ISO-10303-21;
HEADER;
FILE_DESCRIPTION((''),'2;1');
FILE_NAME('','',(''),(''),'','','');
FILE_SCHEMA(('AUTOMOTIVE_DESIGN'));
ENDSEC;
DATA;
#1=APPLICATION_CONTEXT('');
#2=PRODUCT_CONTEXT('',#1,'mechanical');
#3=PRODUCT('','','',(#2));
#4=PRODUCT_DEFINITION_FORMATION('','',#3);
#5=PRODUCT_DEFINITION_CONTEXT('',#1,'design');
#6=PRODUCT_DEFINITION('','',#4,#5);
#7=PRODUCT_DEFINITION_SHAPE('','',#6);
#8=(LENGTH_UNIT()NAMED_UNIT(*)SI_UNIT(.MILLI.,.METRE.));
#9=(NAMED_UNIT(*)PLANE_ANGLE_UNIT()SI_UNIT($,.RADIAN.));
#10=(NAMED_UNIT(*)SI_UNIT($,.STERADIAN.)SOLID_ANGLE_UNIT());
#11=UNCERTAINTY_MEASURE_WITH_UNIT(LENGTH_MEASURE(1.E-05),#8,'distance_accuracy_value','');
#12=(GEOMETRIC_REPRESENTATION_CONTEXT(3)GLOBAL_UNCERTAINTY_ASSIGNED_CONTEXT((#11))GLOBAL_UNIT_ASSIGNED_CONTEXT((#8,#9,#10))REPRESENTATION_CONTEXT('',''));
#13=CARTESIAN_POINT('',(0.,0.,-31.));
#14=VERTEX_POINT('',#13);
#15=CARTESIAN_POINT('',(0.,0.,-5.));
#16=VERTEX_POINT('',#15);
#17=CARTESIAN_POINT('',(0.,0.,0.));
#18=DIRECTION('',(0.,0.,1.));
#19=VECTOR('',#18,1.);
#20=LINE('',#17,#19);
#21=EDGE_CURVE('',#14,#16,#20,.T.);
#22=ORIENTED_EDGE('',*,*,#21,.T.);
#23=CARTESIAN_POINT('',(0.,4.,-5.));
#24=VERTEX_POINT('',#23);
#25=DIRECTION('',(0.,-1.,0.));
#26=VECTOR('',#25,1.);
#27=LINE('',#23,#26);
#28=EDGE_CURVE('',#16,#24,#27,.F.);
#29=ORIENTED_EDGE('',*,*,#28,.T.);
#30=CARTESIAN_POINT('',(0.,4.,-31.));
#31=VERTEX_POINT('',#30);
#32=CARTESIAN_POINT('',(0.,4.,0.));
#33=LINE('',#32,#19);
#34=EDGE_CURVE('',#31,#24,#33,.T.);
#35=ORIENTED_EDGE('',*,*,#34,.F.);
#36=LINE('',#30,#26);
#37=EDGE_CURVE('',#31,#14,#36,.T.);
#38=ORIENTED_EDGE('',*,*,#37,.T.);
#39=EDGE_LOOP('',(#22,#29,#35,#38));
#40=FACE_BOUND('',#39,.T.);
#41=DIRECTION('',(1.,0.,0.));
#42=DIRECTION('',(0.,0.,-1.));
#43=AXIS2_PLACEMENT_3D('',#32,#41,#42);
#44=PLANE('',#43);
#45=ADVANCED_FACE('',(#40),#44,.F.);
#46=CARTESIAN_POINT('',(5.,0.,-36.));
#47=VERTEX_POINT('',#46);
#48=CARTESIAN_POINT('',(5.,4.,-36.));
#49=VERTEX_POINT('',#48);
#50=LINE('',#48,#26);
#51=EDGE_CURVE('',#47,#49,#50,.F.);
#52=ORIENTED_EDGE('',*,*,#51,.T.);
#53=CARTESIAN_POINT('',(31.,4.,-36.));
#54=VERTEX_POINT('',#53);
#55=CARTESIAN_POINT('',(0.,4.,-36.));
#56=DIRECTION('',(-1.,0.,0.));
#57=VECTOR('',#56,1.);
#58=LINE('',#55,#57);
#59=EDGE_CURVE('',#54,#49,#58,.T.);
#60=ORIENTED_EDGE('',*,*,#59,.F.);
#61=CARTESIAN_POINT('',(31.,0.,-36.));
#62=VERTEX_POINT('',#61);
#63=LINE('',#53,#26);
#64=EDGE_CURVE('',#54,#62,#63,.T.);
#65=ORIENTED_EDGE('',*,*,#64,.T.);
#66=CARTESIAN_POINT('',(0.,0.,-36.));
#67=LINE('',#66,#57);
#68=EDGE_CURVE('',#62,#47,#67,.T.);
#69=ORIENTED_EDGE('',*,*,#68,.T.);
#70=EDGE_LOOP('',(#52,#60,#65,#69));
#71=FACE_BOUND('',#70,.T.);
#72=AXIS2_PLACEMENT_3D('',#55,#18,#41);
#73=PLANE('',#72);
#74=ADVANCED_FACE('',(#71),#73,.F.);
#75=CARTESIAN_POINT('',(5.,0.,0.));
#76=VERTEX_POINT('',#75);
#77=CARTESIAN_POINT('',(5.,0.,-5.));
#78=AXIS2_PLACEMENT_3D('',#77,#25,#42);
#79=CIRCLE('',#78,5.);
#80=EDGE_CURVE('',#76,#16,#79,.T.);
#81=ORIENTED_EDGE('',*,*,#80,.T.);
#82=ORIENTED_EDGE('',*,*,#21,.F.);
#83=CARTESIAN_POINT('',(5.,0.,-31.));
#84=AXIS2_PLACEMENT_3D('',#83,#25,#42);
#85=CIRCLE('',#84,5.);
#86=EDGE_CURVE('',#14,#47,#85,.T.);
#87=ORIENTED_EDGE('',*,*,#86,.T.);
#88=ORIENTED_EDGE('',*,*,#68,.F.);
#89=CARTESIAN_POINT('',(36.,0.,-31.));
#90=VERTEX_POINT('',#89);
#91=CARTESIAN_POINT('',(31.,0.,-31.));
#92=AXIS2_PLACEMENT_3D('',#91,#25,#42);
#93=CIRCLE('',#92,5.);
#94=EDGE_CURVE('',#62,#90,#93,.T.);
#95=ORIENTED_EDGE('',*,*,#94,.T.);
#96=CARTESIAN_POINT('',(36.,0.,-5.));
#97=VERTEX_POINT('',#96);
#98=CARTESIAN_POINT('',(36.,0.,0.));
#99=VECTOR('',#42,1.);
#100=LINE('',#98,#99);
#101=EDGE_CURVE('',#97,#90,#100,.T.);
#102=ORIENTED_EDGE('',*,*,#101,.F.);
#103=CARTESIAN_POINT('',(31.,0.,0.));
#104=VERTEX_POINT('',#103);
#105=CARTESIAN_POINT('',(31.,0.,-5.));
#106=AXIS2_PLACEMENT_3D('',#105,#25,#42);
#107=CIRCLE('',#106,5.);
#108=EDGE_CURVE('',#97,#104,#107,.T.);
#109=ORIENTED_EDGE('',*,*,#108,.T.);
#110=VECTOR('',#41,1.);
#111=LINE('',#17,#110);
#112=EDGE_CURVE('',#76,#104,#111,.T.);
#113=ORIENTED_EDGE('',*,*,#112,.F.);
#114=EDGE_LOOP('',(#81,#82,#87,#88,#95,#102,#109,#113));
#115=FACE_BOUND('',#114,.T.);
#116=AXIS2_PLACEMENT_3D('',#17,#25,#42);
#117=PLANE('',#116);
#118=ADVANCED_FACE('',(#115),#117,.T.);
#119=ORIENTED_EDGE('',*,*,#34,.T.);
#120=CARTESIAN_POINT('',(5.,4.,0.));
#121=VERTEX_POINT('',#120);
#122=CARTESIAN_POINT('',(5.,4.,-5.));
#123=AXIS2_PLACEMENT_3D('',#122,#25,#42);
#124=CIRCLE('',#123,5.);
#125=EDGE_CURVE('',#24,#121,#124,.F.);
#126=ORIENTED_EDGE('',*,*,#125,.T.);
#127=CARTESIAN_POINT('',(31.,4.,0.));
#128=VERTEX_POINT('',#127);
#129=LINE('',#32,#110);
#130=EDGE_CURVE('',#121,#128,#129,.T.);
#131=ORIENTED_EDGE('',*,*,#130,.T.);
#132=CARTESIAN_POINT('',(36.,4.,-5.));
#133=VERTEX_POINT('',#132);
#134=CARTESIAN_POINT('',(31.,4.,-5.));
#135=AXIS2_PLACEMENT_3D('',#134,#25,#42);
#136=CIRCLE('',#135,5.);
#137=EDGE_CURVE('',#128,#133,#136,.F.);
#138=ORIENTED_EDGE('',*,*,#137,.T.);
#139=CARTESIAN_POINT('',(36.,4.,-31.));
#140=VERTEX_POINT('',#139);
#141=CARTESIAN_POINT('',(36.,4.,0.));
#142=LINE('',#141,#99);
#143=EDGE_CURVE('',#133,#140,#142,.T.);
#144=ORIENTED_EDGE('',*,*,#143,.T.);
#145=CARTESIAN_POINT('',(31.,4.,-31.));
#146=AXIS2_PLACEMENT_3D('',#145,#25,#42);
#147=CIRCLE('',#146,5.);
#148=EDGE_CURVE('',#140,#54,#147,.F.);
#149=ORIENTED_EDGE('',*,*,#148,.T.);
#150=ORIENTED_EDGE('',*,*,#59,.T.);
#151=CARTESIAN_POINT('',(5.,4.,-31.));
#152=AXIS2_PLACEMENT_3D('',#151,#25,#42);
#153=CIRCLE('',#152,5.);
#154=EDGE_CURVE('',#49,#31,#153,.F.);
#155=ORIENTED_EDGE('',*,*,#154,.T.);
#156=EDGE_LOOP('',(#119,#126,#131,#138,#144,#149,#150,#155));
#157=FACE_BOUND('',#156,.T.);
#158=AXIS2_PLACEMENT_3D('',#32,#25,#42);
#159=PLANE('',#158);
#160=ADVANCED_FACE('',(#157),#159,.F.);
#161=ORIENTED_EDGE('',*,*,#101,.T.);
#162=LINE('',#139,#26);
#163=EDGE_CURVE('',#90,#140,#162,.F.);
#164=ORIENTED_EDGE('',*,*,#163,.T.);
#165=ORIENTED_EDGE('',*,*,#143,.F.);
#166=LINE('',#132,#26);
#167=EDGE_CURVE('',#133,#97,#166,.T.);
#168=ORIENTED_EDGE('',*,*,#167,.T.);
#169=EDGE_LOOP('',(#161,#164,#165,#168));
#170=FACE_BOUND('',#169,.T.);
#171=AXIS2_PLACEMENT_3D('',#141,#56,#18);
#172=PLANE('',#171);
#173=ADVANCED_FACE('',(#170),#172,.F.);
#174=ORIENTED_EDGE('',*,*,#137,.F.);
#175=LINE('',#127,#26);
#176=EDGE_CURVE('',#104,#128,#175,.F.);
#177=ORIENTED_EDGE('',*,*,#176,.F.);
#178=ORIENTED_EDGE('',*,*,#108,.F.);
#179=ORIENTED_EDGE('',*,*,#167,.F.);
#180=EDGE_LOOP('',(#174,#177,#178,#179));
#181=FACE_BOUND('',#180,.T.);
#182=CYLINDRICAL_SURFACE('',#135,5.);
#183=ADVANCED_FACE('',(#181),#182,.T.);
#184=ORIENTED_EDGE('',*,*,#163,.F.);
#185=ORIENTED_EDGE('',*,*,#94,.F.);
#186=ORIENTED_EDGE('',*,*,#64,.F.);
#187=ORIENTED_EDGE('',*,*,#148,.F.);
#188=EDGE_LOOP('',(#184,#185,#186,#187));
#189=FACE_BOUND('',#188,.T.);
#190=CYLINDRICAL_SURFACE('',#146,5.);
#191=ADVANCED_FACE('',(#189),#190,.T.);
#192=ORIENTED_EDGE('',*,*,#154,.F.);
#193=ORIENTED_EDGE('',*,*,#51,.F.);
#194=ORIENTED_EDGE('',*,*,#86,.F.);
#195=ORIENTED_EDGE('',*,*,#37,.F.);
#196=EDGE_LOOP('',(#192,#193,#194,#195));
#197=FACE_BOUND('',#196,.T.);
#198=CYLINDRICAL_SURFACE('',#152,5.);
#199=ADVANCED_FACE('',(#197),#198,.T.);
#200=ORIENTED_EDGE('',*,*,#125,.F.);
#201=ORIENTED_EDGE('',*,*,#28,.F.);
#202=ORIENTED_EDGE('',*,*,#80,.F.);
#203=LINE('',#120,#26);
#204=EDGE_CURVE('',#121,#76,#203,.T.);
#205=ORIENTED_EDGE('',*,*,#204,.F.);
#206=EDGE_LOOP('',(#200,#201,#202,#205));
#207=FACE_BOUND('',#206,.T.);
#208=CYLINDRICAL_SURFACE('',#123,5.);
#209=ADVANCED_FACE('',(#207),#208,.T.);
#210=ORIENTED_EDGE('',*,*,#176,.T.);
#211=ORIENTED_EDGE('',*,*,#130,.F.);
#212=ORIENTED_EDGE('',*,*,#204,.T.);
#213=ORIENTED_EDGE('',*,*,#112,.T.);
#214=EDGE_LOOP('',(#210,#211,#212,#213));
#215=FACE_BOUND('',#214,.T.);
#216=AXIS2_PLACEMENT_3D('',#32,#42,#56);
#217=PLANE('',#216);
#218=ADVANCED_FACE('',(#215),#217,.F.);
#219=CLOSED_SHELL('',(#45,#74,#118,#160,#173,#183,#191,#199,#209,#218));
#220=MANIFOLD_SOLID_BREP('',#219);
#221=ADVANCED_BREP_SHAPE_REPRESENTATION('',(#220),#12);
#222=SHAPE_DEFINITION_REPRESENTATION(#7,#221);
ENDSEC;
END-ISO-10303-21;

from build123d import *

# Parameters (mm, degrees)
SKETCH1_W           = 36
SKETCH1_H           = 36
BOSS_EXTRUDE1_DEPTH = 4
FILLET1_R           = 5


with BuildPart() as part:
    # Sketch1 → Boss-Extrude1 (new body)
    with BuildSketch(Plane(origin=(0, 0, 0), x_dir=(1, 0, 0), z_dir=(0, 1, 0))):
        with Locations((18, 18)):
            Rectangle(SKETCH1_W, SKETCH1_H)
    extrude(amount=BOSS_EXTRUDE1_DEPTH)

    # Fillet1
    fillet1_edges = [part.edges().sort_by_distance(p)[0] for p in [
        (0, 2, -36),
        (36, 2, -36),
        (36, 2, 0),
        (0, 2, 0),
    ]]
    fillet(fillet1_edges, radius=FILLET1_R)


solid = part.part
